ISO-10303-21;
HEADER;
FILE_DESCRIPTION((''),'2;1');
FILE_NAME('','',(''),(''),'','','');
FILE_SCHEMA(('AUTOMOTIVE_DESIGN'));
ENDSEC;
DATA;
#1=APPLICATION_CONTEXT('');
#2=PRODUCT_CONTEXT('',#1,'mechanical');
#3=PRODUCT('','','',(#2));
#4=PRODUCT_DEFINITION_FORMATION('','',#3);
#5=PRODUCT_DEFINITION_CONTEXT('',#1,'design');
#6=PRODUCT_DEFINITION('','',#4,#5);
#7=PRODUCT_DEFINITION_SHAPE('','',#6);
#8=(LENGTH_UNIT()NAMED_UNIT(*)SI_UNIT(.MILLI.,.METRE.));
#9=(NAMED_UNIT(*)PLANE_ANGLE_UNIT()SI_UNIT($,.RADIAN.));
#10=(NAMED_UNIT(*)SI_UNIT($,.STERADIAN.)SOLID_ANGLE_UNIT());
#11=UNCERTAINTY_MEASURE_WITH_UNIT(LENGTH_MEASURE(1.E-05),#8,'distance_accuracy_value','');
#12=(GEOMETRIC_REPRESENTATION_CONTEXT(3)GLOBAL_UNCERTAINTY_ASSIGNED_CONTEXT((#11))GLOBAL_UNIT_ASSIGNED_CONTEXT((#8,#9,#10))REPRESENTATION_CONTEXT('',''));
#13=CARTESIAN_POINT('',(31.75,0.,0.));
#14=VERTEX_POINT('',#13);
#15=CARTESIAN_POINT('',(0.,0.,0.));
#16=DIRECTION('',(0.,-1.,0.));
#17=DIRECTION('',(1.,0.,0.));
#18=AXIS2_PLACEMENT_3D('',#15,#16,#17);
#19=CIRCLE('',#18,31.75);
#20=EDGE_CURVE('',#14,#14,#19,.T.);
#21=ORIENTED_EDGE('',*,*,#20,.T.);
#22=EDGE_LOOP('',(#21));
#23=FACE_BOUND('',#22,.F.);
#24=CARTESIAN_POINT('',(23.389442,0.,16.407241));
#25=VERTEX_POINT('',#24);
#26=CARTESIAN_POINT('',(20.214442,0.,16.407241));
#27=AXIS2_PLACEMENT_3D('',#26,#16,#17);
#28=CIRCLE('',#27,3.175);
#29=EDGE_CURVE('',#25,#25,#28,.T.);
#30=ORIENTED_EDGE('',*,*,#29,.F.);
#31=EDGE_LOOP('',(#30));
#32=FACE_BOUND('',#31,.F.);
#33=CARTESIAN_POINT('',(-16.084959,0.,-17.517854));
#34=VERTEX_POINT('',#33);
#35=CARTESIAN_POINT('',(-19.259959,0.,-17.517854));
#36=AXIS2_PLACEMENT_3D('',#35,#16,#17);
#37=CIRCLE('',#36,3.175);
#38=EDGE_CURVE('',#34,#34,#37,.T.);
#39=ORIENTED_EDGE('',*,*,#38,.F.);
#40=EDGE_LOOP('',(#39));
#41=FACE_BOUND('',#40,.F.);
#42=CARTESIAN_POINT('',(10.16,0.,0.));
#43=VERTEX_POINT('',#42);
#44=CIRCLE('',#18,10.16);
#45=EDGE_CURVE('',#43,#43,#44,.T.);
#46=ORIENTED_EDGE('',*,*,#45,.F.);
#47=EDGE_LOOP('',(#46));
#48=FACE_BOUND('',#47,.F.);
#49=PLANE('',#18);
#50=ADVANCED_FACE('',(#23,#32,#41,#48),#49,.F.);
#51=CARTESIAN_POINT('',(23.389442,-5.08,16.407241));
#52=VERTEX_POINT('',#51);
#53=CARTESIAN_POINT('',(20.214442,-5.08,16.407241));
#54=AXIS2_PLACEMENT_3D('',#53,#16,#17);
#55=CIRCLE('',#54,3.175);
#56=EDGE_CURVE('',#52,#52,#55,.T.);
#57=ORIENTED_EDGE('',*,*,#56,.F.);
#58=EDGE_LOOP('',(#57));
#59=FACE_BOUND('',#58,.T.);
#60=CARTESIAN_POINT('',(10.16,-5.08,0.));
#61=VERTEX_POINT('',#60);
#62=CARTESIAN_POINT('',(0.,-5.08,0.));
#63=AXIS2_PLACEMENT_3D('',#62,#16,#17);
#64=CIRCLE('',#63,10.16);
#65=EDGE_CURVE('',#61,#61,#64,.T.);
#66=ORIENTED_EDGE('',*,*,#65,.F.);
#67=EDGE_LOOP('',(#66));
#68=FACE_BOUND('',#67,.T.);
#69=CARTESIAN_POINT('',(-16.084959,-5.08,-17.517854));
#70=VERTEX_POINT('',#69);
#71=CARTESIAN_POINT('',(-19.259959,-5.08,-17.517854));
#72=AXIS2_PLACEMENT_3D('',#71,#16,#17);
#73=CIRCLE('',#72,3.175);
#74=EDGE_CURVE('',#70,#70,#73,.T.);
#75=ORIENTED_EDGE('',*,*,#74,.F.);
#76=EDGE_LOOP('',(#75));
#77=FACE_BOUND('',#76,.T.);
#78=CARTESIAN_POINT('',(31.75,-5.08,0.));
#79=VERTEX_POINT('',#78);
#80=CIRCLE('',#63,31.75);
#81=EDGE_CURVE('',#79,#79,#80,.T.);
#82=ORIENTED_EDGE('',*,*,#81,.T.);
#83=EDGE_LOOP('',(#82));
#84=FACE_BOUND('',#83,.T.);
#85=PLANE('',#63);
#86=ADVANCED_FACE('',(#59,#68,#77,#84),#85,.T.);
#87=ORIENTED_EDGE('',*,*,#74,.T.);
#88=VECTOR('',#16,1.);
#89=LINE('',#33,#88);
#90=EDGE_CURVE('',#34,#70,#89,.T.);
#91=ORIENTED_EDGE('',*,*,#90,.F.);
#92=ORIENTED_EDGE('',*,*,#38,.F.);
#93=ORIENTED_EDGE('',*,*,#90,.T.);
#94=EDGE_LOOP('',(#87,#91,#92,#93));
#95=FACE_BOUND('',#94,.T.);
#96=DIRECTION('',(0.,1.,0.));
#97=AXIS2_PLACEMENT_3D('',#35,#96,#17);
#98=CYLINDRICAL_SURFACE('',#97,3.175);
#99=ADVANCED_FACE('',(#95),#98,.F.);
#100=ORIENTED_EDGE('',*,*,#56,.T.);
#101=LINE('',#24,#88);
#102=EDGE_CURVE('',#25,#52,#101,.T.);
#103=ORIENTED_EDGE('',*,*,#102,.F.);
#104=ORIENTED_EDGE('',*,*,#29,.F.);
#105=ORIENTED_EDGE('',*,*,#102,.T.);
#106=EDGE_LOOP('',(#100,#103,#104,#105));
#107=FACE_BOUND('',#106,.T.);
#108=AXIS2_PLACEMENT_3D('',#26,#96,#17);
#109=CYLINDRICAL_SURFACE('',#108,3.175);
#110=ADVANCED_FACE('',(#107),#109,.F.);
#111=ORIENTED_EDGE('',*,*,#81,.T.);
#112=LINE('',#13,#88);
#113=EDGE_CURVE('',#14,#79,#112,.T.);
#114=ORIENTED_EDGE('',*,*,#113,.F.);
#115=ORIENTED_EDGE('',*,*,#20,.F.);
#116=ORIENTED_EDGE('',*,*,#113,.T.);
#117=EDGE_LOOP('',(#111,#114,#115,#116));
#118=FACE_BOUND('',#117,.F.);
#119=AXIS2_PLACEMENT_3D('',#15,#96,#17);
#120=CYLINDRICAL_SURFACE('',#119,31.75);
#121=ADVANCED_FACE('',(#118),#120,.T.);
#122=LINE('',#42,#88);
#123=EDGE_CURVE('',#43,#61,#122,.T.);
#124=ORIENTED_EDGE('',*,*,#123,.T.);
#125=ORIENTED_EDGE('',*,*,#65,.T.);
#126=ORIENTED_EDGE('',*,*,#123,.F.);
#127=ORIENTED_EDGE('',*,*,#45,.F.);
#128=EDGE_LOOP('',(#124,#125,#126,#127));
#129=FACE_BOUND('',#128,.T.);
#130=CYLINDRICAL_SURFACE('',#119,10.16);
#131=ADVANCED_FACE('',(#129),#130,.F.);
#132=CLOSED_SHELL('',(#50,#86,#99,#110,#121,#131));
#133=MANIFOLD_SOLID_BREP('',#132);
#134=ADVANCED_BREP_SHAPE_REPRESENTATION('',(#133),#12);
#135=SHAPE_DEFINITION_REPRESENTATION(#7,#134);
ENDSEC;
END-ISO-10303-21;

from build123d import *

# Parameters (mm, degrees)
F0_R     = 31.75
F0_R_2   = 3.175
F0_R_3   = 10.16
F1_DEPTH = 5.08


with BuildPart() as f1:
    # F0 (on Front) → F1 (new body)
    with BuildSketch(Plane.XZ):
        Circle(F0_R)
        with Locations((-19.259959, -17.517854)):
            Circle(F0_R_2, mode=Mode.SUBTRACT)
        Circle(F0_R_3, mode=Mode.SUBTRACT)
        with Locations((20.214442, 16.407241)):
            Circle(F0_R_2, mode=Mode.SUBTRACT)
    extrude(amount=F1_DEPTH)


solid = f1.part
